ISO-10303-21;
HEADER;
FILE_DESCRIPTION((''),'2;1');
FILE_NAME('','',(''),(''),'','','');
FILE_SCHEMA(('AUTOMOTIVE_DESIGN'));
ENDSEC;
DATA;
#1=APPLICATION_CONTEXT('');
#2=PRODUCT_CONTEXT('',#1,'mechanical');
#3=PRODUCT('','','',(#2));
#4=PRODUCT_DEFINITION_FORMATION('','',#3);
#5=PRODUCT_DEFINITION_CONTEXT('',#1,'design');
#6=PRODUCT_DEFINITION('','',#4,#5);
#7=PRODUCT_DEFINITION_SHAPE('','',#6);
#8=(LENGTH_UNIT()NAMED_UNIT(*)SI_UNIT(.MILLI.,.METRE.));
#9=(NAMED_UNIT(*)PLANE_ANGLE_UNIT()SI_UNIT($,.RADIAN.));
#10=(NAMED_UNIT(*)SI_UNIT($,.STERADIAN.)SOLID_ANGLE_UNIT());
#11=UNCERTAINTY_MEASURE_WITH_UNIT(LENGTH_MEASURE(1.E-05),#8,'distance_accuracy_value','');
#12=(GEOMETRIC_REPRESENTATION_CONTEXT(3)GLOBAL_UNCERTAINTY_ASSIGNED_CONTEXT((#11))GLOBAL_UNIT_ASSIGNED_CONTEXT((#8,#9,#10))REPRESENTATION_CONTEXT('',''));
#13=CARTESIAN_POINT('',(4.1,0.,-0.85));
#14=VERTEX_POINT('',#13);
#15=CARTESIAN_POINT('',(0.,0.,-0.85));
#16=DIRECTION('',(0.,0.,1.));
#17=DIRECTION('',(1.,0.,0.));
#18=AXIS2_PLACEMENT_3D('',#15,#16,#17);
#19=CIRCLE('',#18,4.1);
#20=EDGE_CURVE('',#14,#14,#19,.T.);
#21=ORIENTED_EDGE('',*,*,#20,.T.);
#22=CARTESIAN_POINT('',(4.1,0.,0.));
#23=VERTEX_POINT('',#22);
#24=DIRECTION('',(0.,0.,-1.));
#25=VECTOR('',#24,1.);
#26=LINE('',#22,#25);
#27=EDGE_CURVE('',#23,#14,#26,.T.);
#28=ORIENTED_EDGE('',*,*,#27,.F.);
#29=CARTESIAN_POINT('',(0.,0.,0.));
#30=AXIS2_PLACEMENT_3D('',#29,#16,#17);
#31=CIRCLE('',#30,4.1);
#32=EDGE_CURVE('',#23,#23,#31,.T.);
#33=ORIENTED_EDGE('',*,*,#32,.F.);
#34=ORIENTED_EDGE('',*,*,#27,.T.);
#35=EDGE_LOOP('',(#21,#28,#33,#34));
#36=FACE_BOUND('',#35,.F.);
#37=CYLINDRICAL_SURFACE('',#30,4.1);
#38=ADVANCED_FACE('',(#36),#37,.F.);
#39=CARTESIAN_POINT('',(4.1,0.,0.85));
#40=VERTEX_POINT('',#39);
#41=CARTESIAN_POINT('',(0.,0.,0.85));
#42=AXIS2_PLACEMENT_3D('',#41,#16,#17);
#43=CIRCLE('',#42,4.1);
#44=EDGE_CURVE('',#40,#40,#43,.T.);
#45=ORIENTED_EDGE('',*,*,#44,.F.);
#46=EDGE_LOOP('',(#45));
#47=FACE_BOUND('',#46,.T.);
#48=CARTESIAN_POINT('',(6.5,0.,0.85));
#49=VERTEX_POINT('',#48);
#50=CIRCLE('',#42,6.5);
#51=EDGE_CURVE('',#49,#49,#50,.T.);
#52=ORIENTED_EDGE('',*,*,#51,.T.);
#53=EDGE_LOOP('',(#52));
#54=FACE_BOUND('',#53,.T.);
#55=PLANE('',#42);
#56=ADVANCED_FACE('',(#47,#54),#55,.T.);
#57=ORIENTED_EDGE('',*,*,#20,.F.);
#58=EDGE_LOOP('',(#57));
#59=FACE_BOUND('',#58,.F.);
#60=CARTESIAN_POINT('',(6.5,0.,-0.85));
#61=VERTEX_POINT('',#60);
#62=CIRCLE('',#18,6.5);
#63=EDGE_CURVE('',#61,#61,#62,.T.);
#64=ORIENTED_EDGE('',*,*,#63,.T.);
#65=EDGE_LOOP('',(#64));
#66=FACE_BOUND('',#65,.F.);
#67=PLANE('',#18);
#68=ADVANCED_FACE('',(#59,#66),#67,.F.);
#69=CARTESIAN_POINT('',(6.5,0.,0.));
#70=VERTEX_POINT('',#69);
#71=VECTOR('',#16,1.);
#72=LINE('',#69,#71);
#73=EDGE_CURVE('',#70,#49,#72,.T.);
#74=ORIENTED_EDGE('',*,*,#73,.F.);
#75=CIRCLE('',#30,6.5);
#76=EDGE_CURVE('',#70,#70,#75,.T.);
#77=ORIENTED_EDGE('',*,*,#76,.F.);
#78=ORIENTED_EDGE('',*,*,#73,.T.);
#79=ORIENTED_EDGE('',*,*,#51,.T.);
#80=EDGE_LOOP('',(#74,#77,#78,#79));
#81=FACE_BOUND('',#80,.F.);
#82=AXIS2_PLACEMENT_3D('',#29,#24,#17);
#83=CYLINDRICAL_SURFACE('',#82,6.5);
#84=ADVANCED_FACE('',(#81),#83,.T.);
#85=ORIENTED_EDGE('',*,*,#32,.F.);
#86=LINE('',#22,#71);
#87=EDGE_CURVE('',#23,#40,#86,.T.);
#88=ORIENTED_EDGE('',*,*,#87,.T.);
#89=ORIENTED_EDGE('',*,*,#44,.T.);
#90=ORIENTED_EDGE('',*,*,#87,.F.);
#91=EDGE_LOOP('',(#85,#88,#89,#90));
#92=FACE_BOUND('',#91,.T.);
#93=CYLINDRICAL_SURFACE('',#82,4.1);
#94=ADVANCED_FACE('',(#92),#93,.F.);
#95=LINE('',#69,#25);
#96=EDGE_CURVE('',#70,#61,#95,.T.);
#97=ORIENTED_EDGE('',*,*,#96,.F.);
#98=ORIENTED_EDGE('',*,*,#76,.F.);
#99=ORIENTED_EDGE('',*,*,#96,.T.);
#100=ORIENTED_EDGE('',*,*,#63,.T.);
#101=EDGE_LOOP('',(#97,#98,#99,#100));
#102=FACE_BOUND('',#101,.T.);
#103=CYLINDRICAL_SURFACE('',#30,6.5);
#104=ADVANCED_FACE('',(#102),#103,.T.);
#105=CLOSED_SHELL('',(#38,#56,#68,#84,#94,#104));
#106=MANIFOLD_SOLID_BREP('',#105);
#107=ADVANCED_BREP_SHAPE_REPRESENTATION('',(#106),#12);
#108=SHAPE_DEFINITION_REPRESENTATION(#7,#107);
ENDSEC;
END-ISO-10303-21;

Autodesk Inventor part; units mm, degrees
ref_plane "YZ Plane" through (0, 0, 0) normal (1, 0, 0) x (0, 1, 0)
ref_plane "XZ Plane" through (0, 0, 0) normal (0, 1, 0) x (-1, 0, 0)
ref_plane "XY Plane" through (0, 0, 0) normal (0, 0, 1) x (1, 0, 0)
sketch "スケッチ1" plane through (0, 0, 0) normal (0, 0, 1) x (1, 0, 0)
  circle A0 centre (0, 0) radius 4.1
  circle A1 centre (0, 0) radius 6.5
  dimension "d0" = 8.2
  dimension "d1" = 13
extrude "押し出し1" add sketch "スケッチ1" along normal mid plane 1.7
properties part number "base39" material "ABS プラスチック"
